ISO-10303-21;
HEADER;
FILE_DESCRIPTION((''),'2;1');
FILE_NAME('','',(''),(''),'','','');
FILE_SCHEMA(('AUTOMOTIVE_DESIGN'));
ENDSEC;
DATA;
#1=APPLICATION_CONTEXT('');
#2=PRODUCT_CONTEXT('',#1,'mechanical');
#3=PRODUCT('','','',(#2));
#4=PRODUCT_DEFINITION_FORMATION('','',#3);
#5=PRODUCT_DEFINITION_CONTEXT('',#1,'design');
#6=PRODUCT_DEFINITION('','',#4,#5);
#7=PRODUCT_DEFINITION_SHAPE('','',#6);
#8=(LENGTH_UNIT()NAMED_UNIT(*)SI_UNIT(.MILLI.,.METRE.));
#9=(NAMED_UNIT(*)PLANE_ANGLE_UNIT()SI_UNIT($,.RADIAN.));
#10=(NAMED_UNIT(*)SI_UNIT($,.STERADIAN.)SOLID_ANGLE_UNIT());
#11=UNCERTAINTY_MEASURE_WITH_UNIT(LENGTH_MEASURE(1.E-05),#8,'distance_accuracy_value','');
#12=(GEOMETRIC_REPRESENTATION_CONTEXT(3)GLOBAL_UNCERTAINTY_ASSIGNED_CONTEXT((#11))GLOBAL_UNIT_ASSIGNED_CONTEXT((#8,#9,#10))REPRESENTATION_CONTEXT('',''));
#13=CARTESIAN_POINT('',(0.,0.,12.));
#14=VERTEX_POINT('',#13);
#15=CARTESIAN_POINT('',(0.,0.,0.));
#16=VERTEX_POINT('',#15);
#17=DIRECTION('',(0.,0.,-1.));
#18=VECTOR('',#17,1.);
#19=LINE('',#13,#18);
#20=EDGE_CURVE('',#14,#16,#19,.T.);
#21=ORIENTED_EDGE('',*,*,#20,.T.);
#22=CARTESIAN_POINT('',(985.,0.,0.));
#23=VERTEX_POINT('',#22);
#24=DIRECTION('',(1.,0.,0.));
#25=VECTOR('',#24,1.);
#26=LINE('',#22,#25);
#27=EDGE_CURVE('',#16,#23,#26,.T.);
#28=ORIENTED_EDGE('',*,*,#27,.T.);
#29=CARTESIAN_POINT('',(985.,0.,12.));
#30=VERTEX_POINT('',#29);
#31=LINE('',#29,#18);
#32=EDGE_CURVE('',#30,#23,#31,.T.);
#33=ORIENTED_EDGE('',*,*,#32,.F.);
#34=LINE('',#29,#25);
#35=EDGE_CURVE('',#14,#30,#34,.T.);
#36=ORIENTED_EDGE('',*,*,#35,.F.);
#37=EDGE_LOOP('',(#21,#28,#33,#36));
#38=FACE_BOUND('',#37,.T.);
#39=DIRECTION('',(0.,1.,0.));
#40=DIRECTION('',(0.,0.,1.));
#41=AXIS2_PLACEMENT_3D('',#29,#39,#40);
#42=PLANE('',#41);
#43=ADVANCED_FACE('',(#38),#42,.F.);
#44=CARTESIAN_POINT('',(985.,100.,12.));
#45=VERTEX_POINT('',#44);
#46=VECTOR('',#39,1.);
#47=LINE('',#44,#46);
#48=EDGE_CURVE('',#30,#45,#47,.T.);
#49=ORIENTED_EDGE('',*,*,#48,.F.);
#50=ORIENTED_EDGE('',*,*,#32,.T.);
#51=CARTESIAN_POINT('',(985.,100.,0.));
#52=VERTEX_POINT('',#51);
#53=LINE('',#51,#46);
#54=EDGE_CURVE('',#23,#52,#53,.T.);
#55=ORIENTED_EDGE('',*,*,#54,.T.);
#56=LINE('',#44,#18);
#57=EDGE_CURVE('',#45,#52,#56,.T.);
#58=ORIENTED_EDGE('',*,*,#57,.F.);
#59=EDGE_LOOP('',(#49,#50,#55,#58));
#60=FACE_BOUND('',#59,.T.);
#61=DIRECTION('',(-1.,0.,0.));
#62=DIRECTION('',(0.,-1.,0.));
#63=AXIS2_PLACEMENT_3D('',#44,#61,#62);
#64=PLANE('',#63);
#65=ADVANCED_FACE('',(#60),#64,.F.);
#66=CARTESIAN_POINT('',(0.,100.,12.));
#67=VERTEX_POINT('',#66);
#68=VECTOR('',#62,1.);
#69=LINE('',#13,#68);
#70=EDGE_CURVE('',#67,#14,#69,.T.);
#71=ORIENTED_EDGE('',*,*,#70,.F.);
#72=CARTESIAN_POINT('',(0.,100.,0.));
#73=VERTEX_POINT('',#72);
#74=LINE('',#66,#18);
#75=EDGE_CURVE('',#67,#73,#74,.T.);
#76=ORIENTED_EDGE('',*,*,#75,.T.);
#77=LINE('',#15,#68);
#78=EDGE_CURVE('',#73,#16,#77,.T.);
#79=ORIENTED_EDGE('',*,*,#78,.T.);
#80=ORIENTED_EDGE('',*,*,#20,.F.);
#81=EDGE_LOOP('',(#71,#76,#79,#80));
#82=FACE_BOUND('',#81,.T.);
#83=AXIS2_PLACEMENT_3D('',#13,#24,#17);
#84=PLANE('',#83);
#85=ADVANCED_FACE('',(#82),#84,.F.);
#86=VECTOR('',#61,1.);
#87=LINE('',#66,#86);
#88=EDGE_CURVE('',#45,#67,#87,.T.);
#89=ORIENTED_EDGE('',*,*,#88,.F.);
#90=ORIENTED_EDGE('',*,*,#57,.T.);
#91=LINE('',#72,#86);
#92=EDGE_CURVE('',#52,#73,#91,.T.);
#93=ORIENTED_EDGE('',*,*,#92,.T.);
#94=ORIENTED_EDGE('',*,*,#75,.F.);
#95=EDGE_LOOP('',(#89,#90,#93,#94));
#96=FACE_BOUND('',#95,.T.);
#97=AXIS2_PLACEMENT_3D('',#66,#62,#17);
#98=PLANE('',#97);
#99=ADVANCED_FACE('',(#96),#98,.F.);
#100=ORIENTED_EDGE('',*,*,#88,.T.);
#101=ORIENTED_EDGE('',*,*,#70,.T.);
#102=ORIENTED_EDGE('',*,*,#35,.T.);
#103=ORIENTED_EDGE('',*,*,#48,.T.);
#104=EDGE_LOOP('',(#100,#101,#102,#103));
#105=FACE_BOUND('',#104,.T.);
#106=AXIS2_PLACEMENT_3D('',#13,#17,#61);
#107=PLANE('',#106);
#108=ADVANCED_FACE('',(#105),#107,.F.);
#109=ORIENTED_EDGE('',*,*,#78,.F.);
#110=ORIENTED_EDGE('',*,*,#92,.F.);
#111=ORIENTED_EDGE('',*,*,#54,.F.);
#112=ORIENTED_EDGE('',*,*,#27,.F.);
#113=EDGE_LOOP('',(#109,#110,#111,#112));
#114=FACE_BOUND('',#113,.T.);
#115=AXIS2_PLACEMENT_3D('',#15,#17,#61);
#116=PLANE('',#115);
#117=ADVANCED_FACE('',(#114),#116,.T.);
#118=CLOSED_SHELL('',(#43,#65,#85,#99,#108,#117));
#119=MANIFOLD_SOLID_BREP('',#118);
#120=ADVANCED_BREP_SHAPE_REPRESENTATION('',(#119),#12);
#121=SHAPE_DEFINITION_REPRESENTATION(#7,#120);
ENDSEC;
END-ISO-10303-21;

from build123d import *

# Parameters (mm, degrees)
CROQUIS1_W              = 985
CROQUIS1_H              = 100
SALIENTE_EXTRUIR1_DEPTH = 12


with BuildPart() as part:
    # Croquis1 → Saliente-Extruir1 (new body)
    with BuildSketch(Plane.XY):
        with Locations((492.5, 50)):
            Rectangle(CROQUIS1_W, CROQUIS1_H)
    extrude(amount=SALIENTE_EXTRUIR1_DEPTH)


solid = part.part
